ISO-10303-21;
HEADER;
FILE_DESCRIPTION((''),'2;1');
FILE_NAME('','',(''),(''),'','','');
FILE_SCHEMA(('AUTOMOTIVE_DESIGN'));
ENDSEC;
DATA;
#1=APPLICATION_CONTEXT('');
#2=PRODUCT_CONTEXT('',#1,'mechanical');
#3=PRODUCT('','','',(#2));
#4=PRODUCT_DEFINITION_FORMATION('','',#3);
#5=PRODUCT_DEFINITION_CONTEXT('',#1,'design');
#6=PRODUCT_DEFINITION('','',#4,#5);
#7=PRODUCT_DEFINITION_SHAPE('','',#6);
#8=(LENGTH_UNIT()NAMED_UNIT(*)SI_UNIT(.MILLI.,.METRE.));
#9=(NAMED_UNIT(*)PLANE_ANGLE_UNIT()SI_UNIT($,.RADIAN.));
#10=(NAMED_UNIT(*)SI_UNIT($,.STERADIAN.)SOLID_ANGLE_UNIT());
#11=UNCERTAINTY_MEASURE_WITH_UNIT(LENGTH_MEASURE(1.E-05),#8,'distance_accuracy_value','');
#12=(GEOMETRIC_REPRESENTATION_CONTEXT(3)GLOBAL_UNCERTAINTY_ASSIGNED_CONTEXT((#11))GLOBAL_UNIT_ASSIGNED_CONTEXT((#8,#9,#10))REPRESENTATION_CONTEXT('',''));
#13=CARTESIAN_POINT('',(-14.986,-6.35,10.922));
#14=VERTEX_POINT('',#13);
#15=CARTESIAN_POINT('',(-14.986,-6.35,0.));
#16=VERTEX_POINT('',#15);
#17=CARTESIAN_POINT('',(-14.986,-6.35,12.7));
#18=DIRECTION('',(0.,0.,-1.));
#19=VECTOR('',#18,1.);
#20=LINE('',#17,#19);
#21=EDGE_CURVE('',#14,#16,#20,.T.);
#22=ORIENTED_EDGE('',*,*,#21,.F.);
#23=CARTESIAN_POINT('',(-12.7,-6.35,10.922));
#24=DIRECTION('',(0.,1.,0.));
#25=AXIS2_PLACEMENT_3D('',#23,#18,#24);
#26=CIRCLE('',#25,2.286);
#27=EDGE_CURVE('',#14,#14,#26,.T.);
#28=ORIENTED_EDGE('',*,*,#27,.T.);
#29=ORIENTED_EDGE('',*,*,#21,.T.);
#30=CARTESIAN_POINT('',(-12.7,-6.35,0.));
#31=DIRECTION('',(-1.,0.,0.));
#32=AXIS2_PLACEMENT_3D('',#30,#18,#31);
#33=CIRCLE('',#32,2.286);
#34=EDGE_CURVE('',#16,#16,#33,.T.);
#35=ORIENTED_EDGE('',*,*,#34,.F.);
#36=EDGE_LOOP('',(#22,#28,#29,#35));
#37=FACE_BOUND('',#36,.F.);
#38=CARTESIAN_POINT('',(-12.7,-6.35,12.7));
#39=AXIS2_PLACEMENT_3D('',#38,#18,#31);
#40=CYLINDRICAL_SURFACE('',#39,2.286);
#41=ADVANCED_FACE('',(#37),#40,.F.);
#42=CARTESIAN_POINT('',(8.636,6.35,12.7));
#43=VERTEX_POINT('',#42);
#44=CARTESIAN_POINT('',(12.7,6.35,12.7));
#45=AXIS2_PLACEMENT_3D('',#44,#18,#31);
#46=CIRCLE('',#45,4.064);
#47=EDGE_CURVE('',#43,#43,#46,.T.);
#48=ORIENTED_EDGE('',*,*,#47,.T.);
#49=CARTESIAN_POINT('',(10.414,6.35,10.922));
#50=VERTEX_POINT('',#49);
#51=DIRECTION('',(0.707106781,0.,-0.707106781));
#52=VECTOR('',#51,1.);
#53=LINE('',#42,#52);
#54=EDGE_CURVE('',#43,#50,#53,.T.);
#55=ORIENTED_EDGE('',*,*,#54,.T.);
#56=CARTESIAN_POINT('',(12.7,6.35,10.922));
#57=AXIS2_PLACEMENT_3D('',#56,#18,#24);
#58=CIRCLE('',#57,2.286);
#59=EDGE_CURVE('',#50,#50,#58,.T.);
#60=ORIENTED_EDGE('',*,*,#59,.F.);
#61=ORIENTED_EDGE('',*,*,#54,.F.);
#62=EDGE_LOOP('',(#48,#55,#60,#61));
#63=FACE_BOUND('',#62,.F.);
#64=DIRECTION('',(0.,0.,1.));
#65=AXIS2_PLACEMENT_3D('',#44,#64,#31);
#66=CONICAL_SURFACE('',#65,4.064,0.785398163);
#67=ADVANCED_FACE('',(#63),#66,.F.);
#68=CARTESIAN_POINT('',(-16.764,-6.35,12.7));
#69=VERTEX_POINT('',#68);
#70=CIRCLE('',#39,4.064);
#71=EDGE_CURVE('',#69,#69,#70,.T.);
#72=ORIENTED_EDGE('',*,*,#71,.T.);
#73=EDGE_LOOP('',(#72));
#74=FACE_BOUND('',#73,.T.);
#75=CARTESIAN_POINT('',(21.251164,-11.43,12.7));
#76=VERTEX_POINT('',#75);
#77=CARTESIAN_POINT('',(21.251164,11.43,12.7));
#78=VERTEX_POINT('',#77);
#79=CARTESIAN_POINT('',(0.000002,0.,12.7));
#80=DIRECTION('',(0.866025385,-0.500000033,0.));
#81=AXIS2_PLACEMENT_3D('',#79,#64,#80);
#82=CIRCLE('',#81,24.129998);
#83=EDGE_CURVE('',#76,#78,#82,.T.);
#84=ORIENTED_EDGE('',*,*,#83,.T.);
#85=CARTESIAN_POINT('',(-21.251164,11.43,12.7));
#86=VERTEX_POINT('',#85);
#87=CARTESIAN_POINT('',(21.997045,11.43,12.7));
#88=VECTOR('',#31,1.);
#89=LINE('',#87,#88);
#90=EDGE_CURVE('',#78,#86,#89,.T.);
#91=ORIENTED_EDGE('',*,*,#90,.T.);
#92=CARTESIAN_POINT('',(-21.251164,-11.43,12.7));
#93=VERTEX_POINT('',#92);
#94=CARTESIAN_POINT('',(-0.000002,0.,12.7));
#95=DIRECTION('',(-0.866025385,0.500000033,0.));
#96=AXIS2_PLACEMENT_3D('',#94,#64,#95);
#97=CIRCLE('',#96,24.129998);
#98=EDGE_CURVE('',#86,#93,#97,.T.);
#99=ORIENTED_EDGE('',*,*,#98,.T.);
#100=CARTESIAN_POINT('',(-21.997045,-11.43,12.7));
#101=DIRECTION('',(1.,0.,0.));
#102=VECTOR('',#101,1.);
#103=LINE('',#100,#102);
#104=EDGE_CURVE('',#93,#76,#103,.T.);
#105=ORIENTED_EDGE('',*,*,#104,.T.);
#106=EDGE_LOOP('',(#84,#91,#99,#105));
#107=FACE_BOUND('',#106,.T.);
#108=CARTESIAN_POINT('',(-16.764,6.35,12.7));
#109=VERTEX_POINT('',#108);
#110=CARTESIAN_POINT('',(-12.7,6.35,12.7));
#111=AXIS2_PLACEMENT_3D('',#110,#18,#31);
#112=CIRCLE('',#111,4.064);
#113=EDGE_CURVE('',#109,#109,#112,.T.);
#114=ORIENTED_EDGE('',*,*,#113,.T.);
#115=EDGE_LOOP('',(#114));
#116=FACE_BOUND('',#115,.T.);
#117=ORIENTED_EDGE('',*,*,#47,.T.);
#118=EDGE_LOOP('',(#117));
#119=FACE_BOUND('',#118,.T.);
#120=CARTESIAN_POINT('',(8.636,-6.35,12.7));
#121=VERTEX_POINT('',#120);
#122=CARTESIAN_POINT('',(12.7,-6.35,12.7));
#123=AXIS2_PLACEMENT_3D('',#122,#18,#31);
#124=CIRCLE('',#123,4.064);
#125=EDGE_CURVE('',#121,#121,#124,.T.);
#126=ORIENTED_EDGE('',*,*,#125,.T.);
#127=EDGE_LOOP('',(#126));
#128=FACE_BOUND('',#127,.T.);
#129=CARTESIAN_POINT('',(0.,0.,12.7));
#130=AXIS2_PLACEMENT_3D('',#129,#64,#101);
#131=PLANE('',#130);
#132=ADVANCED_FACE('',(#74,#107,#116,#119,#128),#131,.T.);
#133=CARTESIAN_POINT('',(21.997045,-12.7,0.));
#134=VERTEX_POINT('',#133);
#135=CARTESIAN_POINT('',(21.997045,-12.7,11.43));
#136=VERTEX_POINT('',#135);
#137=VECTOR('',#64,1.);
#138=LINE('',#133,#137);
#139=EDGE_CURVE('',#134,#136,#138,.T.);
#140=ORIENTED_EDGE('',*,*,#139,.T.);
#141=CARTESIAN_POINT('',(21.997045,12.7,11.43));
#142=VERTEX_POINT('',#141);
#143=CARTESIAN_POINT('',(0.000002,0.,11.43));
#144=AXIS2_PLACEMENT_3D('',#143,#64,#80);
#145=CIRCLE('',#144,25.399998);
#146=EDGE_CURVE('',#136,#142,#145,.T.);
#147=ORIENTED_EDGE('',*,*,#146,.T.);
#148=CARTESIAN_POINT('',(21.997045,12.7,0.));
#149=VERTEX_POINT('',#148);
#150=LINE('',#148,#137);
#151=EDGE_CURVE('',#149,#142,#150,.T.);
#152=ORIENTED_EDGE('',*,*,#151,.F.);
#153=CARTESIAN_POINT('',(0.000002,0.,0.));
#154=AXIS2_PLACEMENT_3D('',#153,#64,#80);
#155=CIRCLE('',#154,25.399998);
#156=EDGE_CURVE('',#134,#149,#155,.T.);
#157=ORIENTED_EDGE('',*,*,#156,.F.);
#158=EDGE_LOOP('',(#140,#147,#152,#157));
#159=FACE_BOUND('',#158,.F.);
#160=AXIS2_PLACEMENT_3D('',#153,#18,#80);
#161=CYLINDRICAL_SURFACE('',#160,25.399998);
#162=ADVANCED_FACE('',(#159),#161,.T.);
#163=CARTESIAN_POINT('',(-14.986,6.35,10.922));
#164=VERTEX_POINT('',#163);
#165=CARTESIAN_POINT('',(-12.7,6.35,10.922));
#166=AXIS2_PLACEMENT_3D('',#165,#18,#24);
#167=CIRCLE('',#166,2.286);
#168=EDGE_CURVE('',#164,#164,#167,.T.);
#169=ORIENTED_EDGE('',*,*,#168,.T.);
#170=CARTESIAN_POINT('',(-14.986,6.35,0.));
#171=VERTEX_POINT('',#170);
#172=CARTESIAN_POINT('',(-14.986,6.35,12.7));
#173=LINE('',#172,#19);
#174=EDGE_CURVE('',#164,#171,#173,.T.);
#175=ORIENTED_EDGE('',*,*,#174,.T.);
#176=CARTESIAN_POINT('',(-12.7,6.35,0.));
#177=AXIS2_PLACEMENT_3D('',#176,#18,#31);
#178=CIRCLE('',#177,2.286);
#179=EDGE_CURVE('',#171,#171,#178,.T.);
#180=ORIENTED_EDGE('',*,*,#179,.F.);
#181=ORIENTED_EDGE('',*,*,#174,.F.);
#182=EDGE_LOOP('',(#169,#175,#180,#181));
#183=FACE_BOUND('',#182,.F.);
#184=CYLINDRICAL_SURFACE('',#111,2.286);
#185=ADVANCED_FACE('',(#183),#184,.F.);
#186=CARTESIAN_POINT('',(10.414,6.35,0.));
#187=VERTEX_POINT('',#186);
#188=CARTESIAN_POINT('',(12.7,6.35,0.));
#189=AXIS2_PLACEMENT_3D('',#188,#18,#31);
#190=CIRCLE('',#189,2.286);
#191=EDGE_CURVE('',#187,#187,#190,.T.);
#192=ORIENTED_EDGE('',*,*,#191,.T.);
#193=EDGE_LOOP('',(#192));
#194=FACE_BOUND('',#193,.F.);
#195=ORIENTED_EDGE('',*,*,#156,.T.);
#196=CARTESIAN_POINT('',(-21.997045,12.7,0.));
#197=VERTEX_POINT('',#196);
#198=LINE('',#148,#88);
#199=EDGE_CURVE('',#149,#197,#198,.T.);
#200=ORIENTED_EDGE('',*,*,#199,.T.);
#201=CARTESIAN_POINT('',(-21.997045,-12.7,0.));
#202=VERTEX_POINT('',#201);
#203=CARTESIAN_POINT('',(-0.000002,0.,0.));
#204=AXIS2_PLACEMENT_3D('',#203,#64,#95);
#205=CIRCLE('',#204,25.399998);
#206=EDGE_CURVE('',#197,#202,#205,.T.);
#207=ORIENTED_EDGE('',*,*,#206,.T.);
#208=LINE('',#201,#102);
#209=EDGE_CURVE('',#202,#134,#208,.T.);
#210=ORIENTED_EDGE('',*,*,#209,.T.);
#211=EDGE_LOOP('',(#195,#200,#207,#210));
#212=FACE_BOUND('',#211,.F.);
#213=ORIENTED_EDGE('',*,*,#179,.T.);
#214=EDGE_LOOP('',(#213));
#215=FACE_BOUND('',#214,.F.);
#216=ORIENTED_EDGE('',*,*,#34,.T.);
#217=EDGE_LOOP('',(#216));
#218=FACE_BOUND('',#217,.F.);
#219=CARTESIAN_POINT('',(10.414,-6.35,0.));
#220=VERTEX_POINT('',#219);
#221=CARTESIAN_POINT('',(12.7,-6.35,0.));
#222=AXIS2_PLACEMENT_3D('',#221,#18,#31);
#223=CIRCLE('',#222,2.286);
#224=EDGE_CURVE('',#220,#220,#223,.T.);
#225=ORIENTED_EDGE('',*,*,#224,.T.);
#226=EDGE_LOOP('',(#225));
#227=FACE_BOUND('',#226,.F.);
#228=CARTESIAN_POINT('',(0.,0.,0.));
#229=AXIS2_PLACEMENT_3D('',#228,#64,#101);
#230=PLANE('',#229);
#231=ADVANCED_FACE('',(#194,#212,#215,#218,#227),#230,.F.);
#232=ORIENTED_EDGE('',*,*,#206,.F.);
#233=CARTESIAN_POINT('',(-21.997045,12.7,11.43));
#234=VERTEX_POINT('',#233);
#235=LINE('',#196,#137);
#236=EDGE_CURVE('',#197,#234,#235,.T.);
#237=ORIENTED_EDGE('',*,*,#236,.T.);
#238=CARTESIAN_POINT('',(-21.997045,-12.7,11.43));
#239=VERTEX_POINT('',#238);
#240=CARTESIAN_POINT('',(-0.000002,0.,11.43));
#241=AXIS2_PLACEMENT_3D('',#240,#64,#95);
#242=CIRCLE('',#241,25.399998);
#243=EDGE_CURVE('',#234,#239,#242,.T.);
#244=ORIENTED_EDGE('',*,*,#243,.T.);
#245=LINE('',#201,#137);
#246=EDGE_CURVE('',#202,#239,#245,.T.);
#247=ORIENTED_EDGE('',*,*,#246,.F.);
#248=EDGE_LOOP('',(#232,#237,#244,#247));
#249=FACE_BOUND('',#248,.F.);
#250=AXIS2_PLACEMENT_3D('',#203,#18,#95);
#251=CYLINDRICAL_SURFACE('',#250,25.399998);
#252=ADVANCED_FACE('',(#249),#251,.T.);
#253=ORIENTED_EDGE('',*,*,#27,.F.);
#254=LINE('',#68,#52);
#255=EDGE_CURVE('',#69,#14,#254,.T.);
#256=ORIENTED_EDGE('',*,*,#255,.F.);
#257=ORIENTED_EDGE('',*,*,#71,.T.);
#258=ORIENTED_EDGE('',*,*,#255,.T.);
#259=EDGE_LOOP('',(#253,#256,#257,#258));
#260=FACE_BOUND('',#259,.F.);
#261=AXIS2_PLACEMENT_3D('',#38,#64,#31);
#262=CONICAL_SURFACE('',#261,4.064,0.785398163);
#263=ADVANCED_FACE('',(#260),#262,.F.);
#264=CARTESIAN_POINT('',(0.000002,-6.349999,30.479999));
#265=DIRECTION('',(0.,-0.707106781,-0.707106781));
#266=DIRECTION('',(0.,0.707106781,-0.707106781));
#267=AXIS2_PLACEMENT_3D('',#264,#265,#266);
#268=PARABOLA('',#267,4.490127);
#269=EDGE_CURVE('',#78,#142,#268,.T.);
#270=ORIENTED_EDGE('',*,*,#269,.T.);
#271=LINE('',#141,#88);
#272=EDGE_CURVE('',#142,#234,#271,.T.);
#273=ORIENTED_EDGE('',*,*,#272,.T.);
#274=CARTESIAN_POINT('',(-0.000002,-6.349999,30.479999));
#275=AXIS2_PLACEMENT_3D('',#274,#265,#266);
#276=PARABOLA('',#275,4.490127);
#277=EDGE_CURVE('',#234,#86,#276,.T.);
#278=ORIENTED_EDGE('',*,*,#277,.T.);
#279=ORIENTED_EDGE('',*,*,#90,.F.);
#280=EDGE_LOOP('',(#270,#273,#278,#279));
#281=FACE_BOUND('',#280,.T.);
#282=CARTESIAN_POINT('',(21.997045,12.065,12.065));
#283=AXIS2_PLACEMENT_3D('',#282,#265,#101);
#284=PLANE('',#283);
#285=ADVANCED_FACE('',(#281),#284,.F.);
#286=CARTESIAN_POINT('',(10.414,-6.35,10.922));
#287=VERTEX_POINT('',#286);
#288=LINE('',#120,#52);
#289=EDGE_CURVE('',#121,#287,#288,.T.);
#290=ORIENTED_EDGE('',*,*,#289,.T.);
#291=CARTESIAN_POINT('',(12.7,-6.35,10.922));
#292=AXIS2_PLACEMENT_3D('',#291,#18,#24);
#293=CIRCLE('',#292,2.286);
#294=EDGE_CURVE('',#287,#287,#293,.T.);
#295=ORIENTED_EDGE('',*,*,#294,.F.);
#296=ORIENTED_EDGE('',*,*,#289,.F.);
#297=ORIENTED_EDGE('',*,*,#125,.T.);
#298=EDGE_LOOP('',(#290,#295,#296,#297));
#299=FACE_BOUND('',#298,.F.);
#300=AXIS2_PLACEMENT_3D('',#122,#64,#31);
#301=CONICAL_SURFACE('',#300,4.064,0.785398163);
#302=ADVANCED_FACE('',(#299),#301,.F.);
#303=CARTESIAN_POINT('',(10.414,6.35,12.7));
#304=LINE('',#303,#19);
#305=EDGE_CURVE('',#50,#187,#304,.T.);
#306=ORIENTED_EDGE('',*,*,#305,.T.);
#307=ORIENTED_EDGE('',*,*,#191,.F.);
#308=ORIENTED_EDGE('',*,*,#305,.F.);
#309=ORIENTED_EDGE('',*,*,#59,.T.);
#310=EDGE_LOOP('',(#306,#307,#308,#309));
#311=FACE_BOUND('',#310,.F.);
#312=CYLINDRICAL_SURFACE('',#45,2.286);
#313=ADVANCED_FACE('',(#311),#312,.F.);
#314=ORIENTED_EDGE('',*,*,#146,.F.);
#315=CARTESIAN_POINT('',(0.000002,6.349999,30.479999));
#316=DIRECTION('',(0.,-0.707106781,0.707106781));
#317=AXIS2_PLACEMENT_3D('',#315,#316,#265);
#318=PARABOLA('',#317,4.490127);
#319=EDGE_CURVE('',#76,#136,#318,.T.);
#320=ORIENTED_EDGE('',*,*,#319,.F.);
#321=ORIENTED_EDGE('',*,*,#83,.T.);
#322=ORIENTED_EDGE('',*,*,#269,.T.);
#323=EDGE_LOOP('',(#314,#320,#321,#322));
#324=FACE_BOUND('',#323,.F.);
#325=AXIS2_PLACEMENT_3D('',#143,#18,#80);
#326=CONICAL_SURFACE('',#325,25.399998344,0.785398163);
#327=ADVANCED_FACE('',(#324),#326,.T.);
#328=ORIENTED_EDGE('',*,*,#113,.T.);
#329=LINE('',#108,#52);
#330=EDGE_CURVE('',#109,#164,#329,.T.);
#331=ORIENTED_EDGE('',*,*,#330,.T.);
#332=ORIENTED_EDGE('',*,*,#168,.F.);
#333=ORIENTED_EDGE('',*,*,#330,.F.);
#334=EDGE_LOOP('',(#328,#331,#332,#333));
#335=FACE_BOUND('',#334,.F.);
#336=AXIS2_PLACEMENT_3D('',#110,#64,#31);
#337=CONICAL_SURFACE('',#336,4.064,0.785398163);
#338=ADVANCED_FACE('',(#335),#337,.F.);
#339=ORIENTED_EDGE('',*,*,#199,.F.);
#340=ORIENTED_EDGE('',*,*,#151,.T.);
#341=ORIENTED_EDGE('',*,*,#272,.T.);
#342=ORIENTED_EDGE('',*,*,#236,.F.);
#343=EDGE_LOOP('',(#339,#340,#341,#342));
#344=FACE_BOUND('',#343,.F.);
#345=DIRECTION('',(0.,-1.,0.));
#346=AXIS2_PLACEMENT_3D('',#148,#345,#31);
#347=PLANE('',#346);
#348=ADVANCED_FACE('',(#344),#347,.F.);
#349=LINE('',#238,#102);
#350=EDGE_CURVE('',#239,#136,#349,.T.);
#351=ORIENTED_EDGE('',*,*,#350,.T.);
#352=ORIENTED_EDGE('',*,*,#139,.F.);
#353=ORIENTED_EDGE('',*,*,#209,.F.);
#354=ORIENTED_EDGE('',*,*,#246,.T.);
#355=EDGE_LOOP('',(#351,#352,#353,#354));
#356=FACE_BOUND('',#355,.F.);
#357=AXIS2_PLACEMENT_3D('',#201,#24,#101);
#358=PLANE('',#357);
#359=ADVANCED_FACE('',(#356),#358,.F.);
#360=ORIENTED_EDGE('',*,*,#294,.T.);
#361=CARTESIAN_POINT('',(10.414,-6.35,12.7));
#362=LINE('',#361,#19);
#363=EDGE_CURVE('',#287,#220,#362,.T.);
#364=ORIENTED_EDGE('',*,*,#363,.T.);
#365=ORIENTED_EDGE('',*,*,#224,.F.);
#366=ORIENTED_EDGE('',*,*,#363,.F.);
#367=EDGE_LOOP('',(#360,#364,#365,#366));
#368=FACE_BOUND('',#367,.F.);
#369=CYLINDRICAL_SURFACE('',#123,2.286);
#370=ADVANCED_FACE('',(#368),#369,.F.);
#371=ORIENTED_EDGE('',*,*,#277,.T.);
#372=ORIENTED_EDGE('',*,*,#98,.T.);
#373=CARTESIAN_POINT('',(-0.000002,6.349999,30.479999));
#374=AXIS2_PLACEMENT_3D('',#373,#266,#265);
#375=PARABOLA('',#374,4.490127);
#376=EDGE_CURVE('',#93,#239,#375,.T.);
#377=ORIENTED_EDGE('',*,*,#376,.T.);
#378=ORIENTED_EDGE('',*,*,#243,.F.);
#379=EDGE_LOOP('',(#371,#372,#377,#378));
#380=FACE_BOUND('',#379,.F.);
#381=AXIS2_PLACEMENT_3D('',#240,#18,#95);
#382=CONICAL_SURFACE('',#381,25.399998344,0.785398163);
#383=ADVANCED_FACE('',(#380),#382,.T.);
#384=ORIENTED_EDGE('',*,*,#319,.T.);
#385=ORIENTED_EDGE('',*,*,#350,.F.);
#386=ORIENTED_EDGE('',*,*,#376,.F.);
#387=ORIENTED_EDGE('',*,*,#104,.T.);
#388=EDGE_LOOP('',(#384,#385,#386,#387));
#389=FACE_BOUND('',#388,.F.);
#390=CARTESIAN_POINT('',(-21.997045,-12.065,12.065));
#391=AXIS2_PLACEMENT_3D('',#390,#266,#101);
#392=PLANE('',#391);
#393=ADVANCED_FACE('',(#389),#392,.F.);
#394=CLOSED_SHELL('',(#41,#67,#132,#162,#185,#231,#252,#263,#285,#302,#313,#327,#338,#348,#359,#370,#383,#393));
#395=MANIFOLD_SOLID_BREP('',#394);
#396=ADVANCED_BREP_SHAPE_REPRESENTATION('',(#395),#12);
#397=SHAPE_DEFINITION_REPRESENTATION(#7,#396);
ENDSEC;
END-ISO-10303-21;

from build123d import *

# Parameters (mm, degrees)
F1_DEPTH       = 12.7
F3_D           = 4.572
F3_CSINK_D     = 8.128
F3_CSINK_ANGLE = 90
F4_SIZE        = 1.27


with BuildPart() as f1:
    # F0 (on Top) → F1 (new body)
    with BuildSketch(Plane.XY):
        with BuildLine():
            Line((21.997045, 12.7), (-21.997045, 12.7))
            ThreePointArc((-21.997045, 12.7), (-25.4, 0), (-21.997045, -12.7))
            Line((-21.997045, -12.7), (21.997045, -12.7))
            ThreePointArc((21.997045, -12.7), (25.4, 0), (21.997045, 12.7))
        make_face()
    extrude(amount=F1_DEPTH)

    # F3 (through all)
    with Locations(Plane.XY.offset(12.7)):
        with Locations((-12.7, 6.35), (-12.7, -6.35), (12.7, -6.35), (12.7, 6.35)):
            CounterSinkHole(F3_D / 2, F3_CSINK_D / 2, counter_sink_angle=F3_CSINK_ANGLE)

    # F4
    f4_edges = [f1.edges().sort_by_distance(p)[0] for p in [
        (0, -12.7, 12.7),
        (25.4, 0, 12.7),
        (0, 12.7, 12.7),
        (-25.4, 0, 12.7),
    ]]
    chamfer(f4_edges, length=F4_SIZE)


solid = f1.part
